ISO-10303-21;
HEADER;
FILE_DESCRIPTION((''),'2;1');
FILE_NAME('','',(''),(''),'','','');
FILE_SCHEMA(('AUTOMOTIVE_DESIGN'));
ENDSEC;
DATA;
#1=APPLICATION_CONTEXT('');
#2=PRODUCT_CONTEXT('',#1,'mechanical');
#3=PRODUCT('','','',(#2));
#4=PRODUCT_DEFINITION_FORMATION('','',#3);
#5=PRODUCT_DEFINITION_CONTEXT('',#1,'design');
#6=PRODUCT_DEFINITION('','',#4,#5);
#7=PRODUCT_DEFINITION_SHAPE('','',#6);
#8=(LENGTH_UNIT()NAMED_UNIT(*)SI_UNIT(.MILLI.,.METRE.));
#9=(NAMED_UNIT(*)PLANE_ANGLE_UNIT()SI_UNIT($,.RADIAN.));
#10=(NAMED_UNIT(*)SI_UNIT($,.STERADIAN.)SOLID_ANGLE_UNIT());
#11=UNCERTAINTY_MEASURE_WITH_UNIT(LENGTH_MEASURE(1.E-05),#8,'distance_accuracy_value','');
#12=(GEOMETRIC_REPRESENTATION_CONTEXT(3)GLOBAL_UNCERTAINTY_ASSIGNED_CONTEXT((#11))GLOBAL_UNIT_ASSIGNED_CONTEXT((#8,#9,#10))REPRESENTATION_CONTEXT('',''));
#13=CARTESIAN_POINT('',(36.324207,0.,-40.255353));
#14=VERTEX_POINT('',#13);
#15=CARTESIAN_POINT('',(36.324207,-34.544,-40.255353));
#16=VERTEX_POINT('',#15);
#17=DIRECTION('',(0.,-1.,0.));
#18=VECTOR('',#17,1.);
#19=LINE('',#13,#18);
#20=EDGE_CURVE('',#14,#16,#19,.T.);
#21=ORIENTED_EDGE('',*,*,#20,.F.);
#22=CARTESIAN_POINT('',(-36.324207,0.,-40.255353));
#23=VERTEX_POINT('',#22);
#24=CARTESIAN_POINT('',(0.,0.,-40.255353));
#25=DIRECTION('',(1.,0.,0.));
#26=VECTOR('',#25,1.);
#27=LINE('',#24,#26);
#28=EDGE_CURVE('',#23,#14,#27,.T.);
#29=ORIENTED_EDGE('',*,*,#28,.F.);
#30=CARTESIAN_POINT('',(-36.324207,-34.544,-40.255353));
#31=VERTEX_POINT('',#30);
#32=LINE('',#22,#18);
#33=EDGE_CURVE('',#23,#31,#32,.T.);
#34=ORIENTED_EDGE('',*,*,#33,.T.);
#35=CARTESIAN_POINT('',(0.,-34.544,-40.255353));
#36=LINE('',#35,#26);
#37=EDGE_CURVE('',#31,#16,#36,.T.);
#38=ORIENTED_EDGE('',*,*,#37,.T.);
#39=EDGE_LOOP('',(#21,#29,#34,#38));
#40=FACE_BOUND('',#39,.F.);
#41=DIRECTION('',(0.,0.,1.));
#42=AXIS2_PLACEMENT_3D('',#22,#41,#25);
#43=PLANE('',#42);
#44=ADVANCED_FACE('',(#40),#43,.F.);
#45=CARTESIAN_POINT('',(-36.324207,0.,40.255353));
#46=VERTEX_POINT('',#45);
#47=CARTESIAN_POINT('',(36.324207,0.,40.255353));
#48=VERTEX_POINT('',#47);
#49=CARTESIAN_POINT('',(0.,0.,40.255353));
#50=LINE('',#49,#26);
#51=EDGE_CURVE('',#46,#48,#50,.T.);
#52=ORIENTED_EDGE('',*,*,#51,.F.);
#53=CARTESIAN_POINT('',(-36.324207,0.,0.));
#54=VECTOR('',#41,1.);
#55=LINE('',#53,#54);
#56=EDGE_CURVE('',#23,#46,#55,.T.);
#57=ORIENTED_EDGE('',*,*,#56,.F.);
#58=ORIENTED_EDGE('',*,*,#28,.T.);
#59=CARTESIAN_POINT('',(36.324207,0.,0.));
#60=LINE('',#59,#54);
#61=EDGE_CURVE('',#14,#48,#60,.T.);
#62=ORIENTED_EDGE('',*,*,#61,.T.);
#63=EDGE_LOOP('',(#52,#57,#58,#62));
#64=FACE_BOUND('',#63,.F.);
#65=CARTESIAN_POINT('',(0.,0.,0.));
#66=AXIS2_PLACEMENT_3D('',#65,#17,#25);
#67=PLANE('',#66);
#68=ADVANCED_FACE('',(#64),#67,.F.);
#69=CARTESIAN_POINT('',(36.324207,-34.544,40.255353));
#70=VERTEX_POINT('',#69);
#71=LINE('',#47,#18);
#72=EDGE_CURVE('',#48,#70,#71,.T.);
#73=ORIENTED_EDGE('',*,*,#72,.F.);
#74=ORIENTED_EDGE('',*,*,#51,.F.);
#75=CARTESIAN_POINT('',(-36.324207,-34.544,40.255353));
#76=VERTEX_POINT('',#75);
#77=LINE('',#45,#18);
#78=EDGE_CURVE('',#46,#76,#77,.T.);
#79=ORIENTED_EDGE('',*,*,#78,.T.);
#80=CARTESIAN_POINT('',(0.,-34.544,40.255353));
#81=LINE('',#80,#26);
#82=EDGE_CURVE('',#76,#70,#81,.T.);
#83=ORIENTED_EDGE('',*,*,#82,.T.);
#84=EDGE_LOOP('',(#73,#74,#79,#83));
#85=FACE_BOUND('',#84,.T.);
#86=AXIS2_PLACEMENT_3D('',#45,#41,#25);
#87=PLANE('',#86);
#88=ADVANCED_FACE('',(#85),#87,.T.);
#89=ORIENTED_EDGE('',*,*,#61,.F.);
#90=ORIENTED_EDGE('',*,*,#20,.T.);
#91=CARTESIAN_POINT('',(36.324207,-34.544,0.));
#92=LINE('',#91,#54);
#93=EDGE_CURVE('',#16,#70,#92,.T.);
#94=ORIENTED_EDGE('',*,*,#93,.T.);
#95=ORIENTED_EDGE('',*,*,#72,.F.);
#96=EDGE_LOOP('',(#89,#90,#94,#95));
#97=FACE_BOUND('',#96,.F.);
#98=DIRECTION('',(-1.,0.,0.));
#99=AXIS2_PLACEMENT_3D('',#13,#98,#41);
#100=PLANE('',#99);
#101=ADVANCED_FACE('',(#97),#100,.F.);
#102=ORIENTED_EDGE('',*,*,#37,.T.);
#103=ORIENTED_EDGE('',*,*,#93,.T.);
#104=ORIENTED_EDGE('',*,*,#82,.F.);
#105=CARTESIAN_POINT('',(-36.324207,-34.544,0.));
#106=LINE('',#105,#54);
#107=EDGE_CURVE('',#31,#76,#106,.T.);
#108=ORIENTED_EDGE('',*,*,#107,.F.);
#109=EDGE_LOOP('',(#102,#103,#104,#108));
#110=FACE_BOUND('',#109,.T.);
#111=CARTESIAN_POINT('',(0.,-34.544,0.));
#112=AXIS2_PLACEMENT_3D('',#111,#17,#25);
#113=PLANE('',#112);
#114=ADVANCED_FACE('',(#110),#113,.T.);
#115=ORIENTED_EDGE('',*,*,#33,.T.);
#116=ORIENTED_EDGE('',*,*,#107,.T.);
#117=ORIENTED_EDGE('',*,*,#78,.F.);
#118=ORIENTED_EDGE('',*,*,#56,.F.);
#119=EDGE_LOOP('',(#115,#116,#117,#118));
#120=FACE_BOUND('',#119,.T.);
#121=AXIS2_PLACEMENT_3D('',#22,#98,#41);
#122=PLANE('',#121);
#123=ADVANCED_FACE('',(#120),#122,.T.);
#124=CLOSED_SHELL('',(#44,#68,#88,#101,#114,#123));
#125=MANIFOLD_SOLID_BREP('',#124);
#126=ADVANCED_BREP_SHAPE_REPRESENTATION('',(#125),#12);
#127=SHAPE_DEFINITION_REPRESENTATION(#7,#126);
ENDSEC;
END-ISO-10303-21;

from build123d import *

# Parameters (mm, degrees)
F0_W     = 72.648414
F0_H     = 80.510706
F1_DEPTH = 34.544
F2_R     = 23.378618
F3_DEPTH = 25.4


with BuildPart() as f1:
    # F0 (on Front) → F1 (new body)
    with BuildSketch(Plane.XZ):
        Rectangle(F0_W, F0_H)
    extrude(amount=F1_DEPTH)

    # F2 (on Front) → F3 (join)
    with BuildSketch(Plane.XZ):
        Circle(F2_R)
    extrude(amount=F3_DEPTH)


solid = f1.part
